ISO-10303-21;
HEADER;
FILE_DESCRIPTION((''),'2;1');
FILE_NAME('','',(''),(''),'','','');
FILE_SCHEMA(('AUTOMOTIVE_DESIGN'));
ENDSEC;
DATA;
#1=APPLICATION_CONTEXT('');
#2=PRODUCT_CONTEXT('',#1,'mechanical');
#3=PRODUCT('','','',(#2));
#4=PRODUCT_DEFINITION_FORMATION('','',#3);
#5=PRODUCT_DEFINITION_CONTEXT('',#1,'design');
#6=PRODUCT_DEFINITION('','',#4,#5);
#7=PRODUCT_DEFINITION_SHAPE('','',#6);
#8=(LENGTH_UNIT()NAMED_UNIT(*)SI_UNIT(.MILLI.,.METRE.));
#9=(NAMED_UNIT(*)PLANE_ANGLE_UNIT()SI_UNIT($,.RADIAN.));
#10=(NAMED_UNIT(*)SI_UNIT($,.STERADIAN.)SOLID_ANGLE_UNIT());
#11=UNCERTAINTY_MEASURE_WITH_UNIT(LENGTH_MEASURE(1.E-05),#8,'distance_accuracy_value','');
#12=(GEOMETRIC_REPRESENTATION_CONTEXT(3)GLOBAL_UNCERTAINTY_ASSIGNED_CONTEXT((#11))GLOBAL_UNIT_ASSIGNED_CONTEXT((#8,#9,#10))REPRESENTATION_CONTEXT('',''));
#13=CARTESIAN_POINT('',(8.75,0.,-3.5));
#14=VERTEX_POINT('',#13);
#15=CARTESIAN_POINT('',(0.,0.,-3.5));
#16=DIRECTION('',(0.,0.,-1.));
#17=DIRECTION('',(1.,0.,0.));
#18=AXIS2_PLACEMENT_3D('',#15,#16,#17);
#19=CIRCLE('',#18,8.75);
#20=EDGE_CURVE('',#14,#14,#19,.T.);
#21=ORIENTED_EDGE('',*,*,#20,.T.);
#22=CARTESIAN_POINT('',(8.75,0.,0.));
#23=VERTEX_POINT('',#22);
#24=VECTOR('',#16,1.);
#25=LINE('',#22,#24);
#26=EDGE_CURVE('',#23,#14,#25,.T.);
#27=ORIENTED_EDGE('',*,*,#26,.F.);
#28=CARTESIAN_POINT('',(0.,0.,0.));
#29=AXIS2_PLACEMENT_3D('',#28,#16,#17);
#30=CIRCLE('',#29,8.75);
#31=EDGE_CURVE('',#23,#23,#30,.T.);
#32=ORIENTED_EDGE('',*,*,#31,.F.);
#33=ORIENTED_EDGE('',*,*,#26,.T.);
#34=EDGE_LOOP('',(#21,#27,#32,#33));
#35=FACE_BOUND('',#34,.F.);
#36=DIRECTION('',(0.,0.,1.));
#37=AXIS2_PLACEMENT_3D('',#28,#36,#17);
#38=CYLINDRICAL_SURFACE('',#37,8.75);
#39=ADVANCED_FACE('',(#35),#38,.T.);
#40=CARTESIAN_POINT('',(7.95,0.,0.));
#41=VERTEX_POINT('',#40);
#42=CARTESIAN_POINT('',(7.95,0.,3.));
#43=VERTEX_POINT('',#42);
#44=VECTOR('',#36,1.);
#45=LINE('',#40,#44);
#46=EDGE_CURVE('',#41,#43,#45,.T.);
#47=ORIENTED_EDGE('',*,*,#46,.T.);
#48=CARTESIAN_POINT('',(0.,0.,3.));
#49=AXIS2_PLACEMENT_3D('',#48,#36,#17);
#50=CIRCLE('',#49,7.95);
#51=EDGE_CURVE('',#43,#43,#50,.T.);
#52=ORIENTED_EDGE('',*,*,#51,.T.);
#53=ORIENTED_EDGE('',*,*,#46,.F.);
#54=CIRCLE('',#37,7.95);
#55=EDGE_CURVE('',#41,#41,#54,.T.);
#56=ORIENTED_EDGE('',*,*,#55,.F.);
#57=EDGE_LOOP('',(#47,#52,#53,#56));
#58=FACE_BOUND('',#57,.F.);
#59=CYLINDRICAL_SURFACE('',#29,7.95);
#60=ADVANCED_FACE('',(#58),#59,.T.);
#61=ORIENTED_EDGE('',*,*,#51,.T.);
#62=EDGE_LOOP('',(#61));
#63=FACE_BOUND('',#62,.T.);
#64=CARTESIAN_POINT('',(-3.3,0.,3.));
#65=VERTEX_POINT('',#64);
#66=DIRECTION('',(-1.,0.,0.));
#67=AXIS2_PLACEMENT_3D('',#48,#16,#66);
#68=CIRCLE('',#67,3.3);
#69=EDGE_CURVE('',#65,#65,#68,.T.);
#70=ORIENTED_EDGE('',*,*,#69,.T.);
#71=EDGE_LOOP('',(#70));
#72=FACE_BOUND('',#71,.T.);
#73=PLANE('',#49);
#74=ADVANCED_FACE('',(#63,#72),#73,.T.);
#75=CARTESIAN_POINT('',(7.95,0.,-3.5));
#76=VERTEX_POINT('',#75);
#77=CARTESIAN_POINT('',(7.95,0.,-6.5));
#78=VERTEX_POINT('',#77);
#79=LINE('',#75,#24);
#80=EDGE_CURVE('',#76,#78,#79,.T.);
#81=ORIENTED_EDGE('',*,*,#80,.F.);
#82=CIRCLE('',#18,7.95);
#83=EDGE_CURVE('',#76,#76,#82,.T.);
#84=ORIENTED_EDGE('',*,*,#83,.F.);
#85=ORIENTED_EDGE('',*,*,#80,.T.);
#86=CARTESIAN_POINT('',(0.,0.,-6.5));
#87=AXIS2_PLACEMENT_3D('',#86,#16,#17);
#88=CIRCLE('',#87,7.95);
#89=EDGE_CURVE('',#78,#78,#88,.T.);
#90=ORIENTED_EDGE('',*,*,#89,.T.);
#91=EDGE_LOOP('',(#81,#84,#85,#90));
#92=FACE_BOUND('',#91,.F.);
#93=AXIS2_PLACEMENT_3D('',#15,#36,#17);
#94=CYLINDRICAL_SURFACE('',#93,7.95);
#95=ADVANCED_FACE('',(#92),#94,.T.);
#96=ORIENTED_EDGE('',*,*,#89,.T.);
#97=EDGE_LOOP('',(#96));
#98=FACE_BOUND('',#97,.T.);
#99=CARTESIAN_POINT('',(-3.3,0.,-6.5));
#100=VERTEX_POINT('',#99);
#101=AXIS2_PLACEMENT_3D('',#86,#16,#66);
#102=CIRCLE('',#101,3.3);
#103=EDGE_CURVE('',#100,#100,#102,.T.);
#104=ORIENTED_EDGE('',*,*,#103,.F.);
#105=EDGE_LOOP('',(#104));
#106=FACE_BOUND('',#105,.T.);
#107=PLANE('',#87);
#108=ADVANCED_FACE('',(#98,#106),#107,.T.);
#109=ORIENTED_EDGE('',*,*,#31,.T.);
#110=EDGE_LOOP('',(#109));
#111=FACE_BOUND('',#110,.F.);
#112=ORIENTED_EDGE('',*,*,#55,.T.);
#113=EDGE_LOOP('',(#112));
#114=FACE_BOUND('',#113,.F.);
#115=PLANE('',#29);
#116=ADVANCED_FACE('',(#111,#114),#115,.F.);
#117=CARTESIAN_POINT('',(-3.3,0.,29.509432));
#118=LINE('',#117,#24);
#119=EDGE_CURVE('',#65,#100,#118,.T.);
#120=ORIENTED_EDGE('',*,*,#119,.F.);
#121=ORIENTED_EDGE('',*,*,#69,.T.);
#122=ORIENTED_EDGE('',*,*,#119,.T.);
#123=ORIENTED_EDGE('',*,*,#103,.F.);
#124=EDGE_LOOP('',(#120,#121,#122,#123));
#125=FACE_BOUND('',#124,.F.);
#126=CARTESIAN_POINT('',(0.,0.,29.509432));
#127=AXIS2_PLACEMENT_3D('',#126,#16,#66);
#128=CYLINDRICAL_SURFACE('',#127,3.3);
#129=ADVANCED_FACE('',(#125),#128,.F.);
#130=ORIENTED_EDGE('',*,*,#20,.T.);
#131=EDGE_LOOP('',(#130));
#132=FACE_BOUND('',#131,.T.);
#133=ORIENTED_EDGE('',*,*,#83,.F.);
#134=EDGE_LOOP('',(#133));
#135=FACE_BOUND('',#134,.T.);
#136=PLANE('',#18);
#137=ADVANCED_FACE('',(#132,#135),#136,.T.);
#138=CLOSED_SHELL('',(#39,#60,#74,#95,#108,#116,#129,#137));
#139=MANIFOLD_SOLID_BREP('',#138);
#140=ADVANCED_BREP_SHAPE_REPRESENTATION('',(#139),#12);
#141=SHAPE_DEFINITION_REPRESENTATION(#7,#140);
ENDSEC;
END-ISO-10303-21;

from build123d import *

# Parameters (mm, degrees)
F0_R     = 7.95
F1_DEPTH = 3
F2_R     = 8.75
F3_DEPTH = 3.5
F4_R     = 7.95
F5_DEPTH = 3
F7_D     = 6.6


with BuildPart() as f1:
    # F0 (on Top) → F1 (new body)
    with BuildSketch(Plane.XY):
        Circle(F0_R)
    extrude(amount=F1_DEPTH)

    # F2 (on face) → F3 (join)
    with BuildSketch(Plane(origin=(0, 0, 0), x_dir=(1, 0, 0), z_dir=(0, 0, -1))):
        Circle(F2_R)
    extrude(amount=F3_DEPTH)

    # F4 (on face) → F5 (join)
    with BuildSketch(Plane(origin=(0, 0, -3.5), x_dir=(1, 0, 0), z_dir=(0, 0, -1))):
        Circle(F4_R)
    extrude(amount=F5_DEPTH)

    # F7 (through all)
    with Locations(Plane.XY.offset(3)):
        with Locations((0, 0)):
            Hole(F7_D / 2)


solid = f1.part
